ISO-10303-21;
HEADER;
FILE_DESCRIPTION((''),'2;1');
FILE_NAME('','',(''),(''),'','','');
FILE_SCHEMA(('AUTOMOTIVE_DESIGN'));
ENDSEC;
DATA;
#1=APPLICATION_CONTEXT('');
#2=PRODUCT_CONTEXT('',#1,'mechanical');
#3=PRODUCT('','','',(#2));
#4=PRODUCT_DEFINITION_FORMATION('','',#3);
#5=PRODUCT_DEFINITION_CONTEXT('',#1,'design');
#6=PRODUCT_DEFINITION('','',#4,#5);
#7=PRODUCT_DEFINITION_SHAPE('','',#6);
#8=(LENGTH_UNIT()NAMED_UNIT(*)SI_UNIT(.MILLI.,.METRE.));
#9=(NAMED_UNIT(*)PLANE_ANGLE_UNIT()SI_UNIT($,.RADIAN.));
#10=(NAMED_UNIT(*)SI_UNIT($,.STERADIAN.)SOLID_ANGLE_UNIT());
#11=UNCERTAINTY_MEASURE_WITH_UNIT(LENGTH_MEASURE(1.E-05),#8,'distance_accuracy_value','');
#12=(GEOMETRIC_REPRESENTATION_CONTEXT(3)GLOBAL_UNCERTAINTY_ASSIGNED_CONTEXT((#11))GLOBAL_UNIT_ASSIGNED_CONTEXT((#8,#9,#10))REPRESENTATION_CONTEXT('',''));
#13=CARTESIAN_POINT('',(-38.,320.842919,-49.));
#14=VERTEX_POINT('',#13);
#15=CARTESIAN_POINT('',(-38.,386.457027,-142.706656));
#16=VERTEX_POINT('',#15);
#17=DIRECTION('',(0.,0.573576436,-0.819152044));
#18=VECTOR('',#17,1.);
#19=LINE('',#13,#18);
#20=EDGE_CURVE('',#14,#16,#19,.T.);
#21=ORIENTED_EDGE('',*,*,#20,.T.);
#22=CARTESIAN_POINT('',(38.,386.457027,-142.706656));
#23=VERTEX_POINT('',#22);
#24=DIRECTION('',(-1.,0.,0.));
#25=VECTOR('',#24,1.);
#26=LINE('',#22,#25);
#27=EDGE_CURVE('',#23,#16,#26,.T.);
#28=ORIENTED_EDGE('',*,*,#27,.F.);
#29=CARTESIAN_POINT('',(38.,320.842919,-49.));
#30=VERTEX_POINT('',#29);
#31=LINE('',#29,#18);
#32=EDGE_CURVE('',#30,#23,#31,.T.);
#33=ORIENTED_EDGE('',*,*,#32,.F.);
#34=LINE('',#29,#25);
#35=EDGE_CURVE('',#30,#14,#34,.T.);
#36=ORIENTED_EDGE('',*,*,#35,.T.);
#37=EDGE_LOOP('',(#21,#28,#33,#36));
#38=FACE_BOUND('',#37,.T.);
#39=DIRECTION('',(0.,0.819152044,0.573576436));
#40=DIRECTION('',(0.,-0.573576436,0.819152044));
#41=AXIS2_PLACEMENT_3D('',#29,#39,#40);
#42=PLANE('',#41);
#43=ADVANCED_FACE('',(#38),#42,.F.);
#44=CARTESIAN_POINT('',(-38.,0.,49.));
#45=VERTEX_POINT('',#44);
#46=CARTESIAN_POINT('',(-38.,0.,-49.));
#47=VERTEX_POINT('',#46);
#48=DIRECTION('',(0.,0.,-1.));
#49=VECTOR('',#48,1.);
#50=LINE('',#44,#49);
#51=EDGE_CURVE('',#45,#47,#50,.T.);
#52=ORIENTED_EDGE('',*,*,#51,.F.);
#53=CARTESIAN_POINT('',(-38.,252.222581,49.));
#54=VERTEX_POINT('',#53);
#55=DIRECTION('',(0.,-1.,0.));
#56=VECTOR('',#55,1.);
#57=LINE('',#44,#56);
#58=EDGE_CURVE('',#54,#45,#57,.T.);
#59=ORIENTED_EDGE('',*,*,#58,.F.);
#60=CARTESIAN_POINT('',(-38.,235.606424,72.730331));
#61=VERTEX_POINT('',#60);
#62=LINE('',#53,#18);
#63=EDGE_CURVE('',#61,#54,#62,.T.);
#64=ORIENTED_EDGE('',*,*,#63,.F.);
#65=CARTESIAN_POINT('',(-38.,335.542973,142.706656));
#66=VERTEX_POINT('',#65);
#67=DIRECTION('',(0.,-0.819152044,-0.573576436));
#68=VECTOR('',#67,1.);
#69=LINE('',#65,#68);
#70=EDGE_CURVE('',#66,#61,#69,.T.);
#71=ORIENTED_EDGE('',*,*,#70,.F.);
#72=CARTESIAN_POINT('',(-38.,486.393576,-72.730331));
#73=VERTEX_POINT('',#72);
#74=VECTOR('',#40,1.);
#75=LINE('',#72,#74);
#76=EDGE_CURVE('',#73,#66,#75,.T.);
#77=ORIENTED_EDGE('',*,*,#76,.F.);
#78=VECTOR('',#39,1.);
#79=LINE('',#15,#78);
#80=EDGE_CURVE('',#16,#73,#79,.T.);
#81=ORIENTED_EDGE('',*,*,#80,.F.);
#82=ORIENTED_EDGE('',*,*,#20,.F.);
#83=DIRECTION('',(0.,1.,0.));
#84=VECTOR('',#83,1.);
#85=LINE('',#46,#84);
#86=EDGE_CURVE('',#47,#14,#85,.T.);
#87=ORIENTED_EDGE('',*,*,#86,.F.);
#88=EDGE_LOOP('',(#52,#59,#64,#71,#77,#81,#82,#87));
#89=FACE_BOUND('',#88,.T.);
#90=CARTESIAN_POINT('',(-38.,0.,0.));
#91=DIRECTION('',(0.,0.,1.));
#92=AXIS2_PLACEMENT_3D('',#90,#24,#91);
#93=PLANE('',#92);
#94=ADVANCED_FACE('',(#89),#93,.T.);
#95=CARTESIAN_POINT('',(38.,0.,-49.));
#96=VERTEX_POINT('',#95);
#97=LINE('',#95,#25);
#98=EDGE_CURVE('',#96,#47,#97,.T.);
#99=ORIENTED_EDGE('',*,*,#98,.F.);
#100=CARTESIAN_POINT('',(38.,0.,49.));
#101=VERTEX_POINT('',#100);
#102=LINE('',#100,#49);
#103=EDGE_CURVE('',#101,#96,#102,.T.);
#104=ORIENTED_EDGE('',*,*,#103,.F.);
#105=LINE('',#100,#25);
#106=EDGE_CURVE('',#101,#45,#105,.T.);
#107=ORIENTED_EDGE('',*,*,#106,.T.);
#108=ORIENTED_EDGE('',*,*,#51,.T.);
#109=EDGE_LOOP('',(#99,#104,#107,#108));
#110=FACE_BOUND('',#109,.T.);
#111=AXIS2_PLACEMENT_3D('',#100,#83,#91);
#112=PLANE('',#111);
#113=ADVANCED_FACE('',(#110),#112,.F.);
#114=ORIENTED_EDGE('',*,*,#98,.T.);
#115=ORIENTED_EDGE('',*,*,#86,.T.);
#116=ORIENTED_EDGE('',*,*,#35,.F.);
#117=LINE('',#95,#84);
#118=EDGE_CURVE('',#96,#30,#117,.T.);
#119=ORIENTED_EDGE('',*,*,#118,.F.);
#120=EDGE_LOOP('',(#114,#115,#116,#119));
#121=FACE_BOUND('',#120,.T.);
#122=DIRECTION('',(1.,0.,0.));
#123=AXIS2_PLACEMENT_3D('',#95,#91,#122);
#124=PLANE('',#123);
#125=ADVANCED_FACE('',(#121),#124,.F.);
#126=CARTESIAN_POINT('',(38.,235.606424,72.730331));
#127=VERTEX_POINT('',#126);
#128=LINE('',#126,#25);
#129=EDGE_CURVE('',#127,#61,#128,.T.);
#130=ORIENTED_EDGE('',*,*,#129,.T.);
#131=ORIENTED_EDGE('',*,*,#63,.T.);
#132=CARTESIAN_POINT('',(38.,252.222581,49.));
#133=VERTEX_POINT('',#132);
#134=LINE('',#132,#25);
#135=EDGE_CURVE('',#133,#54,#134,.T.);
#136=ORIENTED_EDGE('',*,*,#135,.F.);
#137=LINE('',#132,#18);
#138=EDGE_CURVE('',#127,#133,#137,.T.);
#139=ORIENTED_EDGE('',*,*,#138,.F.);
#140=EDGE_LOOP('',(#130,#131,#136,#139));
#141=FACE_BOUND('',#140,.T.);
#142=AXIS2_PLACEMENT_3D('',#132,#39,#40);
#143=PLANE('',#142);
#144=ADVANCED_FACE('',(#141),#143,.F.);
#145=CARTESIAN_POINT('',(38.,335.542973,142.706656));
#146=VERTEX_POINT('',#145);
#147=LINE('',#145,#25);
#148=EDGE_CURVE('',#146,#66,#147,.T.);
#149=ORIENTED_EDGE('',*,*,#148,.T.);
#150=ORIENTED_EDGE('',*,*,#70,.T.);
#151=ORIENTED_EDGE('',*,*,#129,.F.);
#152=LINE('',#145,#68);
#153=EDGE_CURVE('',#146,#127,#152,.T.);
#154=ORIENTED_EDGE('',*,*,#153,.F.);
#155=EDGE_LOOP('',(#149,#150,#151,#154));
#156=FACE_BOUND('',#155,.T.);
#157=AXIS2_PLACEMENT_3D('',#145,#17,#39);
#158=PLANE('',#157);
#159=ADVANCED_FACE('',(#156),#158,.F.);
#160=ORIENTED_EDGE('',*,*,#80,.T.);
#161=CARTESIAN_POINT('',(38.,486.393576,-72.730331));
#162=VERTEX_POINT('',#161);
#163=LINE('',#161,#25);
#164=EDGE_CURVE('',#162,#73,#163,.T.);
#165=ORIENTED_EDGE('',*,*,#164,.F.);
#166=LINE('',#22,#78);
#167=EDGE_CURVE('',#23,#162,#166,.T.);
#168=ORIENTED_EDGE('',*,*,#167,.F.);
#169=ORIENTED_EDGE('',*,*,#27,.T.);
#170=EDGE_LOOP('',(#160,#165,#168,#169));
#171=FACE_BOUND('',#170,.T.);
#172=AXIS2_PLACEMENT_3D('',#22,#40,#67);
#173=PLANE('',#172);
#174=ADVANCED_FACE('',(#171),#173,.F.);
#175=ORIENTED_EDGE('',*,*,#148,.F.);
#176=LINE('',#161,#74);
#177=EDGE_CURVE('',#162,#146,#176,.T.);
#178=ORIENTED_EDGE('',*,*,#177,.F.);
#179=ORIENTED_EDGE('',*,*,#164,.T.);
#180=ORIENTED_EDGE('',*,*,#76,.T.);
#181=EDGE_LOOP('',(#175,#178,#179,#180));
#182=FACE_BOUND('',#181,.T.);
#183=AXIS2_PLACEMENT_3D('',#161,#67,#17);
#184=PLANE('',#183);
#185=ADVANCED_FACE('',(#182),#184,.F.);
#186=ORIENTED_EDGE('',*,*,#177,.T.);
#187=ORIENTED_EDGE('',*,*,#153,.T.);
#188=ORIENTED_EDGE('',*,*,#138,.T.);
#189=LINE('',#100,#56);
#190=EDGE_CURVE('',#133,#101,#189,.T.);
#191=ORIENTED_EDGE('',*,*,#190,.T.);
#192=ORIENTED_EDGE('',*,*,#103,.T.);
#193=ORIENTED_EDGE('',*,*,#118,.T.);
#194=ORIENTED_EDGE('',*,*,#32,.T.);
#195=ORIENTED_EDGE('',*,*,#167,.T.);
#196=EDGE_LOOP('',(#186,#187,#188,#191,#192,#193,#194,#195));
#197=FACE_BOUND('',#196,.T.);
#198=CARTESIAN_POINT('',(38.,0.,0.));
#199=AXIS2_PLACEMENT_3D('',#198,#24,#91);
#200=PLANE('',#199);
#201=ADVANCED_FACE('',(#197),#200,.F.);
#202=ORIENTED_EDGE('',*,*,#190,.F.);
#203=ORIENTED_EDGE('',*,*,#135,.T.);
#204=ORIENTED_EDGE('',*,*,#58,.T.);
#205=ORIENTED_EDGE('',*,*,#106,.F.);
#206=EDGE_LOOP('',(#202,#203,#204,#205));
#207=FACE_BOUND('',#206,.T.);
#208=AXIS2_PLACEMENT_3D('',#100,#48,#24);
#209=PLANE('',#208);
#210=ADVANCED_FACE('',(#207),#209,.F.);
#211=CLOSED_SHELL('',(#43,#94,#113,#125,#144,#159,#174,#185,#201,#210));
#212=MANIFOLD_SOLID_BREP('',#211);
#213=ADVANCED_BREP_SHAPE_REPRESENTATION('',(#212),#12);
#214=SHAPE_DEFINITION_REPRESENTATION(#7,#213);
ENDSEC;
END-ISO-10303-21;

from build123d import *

# Parameters (mm, degrees)
BOSS_EXTRUDE3_DEPTH = 38


with BuildPart() as part:
    # Sketch1 → Boss-Extrude3 (new, symmetric)
    with BuildSketch(Plane(origin=(0, 0, 0), x_dir=(0, 0, -1), z_dir=(1, 0, 0))):
        Polygon((-49, 0), (49, 0), (49, 320.842919458), (142.706656441, 386.457026679), (72.730331207, 486.393576082), (-142.706656441, 335.542973321), (-72.730331207, 235.606423918), (-49, 252.222580713), align=None)
    extrude(amount=BOSS_EXTRUDE3_DEPTH, both=True)


solid = part.part
